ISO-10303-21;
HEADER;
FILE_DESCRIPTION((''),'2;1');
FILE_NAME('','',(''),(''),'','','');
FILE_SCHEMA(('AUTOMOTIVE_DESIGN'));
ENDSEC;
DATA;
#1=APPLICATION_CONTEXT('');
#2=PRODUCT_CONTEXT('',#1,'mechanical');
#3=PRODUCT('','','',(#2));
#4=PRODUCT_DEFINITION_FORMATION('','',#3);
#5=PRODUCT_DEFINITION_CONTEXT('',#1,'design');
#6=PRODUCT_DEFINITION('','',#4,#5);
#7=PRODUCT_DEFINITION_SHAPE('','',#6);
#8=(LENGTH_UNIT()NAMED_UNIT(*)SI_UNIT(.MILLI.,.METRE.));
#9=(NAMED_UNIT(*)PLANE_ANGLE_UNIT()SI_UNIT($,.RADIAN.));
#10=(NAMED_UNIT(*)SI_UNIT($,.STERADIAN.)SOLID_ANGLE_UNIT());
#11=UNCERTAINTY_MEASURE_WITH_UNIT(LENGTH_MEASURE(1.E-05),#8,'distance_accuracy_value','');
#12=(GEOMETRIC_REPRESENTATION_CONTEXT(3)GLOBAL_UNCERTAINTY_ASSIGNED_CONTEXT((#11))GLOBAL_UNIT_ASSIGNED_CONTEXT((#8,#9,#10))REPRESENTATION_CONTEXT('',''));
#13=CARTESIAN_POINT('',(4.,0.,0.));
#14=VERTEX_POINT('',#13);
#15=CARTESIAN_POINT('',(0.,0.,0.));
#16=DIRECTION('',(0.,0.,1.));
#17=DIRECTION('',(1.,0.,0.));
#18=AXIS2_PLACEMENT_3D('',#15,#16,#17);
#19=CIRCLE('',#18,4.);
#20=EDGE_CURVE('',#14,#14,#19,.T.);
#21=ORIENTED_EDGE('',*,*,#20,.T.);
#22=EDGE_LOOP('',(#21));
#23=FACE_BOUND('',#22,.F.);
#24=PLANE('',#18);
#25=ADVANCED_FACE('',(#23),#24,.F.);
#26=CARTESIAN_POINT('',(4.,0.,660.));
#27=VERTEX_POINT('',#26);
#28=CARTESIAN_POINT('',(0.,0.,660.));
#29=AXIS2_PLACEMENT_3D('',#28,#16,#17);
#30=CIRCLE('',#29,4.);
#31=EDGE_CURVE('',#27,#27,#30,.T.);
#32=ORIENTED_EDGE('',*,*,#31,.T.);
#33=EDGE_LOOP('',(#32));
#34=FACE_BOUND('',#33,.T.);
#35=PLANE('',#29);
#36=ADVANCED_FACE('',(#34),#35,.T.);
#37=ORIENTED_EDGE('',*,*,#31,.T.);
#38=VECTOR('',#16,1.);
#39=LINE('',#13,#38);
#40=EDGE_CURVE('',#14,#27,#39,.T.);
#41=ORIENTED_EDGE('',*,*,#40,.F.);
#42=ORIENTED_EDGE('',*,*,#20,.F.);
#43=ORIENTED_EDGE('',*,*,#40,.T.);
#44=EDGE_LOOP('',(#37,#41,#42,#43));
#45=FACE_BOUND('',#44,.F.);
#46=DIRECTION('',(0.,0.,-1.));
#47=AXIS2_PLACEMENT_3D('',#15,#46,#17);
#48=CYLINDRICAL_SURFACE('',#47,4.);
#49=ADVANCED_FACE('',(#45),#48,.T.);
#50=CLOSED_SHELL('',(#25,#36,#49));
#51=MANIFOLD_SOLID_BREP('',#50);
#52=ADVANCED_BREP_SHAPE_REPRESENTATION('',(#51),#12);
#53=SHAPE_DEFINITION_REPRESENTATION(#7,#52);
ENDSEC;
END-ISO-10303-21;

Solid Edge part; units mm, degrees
sketch "Sketch1" plane through (0, 0, 0) normal (0, 0, 1) x (1, 0, 0)
  circle A0 centre (0, 0) radius 4
extrude "Protrusion1" add sketch "Sketch1" along normal blind 660
properties material "Stainless steel"
